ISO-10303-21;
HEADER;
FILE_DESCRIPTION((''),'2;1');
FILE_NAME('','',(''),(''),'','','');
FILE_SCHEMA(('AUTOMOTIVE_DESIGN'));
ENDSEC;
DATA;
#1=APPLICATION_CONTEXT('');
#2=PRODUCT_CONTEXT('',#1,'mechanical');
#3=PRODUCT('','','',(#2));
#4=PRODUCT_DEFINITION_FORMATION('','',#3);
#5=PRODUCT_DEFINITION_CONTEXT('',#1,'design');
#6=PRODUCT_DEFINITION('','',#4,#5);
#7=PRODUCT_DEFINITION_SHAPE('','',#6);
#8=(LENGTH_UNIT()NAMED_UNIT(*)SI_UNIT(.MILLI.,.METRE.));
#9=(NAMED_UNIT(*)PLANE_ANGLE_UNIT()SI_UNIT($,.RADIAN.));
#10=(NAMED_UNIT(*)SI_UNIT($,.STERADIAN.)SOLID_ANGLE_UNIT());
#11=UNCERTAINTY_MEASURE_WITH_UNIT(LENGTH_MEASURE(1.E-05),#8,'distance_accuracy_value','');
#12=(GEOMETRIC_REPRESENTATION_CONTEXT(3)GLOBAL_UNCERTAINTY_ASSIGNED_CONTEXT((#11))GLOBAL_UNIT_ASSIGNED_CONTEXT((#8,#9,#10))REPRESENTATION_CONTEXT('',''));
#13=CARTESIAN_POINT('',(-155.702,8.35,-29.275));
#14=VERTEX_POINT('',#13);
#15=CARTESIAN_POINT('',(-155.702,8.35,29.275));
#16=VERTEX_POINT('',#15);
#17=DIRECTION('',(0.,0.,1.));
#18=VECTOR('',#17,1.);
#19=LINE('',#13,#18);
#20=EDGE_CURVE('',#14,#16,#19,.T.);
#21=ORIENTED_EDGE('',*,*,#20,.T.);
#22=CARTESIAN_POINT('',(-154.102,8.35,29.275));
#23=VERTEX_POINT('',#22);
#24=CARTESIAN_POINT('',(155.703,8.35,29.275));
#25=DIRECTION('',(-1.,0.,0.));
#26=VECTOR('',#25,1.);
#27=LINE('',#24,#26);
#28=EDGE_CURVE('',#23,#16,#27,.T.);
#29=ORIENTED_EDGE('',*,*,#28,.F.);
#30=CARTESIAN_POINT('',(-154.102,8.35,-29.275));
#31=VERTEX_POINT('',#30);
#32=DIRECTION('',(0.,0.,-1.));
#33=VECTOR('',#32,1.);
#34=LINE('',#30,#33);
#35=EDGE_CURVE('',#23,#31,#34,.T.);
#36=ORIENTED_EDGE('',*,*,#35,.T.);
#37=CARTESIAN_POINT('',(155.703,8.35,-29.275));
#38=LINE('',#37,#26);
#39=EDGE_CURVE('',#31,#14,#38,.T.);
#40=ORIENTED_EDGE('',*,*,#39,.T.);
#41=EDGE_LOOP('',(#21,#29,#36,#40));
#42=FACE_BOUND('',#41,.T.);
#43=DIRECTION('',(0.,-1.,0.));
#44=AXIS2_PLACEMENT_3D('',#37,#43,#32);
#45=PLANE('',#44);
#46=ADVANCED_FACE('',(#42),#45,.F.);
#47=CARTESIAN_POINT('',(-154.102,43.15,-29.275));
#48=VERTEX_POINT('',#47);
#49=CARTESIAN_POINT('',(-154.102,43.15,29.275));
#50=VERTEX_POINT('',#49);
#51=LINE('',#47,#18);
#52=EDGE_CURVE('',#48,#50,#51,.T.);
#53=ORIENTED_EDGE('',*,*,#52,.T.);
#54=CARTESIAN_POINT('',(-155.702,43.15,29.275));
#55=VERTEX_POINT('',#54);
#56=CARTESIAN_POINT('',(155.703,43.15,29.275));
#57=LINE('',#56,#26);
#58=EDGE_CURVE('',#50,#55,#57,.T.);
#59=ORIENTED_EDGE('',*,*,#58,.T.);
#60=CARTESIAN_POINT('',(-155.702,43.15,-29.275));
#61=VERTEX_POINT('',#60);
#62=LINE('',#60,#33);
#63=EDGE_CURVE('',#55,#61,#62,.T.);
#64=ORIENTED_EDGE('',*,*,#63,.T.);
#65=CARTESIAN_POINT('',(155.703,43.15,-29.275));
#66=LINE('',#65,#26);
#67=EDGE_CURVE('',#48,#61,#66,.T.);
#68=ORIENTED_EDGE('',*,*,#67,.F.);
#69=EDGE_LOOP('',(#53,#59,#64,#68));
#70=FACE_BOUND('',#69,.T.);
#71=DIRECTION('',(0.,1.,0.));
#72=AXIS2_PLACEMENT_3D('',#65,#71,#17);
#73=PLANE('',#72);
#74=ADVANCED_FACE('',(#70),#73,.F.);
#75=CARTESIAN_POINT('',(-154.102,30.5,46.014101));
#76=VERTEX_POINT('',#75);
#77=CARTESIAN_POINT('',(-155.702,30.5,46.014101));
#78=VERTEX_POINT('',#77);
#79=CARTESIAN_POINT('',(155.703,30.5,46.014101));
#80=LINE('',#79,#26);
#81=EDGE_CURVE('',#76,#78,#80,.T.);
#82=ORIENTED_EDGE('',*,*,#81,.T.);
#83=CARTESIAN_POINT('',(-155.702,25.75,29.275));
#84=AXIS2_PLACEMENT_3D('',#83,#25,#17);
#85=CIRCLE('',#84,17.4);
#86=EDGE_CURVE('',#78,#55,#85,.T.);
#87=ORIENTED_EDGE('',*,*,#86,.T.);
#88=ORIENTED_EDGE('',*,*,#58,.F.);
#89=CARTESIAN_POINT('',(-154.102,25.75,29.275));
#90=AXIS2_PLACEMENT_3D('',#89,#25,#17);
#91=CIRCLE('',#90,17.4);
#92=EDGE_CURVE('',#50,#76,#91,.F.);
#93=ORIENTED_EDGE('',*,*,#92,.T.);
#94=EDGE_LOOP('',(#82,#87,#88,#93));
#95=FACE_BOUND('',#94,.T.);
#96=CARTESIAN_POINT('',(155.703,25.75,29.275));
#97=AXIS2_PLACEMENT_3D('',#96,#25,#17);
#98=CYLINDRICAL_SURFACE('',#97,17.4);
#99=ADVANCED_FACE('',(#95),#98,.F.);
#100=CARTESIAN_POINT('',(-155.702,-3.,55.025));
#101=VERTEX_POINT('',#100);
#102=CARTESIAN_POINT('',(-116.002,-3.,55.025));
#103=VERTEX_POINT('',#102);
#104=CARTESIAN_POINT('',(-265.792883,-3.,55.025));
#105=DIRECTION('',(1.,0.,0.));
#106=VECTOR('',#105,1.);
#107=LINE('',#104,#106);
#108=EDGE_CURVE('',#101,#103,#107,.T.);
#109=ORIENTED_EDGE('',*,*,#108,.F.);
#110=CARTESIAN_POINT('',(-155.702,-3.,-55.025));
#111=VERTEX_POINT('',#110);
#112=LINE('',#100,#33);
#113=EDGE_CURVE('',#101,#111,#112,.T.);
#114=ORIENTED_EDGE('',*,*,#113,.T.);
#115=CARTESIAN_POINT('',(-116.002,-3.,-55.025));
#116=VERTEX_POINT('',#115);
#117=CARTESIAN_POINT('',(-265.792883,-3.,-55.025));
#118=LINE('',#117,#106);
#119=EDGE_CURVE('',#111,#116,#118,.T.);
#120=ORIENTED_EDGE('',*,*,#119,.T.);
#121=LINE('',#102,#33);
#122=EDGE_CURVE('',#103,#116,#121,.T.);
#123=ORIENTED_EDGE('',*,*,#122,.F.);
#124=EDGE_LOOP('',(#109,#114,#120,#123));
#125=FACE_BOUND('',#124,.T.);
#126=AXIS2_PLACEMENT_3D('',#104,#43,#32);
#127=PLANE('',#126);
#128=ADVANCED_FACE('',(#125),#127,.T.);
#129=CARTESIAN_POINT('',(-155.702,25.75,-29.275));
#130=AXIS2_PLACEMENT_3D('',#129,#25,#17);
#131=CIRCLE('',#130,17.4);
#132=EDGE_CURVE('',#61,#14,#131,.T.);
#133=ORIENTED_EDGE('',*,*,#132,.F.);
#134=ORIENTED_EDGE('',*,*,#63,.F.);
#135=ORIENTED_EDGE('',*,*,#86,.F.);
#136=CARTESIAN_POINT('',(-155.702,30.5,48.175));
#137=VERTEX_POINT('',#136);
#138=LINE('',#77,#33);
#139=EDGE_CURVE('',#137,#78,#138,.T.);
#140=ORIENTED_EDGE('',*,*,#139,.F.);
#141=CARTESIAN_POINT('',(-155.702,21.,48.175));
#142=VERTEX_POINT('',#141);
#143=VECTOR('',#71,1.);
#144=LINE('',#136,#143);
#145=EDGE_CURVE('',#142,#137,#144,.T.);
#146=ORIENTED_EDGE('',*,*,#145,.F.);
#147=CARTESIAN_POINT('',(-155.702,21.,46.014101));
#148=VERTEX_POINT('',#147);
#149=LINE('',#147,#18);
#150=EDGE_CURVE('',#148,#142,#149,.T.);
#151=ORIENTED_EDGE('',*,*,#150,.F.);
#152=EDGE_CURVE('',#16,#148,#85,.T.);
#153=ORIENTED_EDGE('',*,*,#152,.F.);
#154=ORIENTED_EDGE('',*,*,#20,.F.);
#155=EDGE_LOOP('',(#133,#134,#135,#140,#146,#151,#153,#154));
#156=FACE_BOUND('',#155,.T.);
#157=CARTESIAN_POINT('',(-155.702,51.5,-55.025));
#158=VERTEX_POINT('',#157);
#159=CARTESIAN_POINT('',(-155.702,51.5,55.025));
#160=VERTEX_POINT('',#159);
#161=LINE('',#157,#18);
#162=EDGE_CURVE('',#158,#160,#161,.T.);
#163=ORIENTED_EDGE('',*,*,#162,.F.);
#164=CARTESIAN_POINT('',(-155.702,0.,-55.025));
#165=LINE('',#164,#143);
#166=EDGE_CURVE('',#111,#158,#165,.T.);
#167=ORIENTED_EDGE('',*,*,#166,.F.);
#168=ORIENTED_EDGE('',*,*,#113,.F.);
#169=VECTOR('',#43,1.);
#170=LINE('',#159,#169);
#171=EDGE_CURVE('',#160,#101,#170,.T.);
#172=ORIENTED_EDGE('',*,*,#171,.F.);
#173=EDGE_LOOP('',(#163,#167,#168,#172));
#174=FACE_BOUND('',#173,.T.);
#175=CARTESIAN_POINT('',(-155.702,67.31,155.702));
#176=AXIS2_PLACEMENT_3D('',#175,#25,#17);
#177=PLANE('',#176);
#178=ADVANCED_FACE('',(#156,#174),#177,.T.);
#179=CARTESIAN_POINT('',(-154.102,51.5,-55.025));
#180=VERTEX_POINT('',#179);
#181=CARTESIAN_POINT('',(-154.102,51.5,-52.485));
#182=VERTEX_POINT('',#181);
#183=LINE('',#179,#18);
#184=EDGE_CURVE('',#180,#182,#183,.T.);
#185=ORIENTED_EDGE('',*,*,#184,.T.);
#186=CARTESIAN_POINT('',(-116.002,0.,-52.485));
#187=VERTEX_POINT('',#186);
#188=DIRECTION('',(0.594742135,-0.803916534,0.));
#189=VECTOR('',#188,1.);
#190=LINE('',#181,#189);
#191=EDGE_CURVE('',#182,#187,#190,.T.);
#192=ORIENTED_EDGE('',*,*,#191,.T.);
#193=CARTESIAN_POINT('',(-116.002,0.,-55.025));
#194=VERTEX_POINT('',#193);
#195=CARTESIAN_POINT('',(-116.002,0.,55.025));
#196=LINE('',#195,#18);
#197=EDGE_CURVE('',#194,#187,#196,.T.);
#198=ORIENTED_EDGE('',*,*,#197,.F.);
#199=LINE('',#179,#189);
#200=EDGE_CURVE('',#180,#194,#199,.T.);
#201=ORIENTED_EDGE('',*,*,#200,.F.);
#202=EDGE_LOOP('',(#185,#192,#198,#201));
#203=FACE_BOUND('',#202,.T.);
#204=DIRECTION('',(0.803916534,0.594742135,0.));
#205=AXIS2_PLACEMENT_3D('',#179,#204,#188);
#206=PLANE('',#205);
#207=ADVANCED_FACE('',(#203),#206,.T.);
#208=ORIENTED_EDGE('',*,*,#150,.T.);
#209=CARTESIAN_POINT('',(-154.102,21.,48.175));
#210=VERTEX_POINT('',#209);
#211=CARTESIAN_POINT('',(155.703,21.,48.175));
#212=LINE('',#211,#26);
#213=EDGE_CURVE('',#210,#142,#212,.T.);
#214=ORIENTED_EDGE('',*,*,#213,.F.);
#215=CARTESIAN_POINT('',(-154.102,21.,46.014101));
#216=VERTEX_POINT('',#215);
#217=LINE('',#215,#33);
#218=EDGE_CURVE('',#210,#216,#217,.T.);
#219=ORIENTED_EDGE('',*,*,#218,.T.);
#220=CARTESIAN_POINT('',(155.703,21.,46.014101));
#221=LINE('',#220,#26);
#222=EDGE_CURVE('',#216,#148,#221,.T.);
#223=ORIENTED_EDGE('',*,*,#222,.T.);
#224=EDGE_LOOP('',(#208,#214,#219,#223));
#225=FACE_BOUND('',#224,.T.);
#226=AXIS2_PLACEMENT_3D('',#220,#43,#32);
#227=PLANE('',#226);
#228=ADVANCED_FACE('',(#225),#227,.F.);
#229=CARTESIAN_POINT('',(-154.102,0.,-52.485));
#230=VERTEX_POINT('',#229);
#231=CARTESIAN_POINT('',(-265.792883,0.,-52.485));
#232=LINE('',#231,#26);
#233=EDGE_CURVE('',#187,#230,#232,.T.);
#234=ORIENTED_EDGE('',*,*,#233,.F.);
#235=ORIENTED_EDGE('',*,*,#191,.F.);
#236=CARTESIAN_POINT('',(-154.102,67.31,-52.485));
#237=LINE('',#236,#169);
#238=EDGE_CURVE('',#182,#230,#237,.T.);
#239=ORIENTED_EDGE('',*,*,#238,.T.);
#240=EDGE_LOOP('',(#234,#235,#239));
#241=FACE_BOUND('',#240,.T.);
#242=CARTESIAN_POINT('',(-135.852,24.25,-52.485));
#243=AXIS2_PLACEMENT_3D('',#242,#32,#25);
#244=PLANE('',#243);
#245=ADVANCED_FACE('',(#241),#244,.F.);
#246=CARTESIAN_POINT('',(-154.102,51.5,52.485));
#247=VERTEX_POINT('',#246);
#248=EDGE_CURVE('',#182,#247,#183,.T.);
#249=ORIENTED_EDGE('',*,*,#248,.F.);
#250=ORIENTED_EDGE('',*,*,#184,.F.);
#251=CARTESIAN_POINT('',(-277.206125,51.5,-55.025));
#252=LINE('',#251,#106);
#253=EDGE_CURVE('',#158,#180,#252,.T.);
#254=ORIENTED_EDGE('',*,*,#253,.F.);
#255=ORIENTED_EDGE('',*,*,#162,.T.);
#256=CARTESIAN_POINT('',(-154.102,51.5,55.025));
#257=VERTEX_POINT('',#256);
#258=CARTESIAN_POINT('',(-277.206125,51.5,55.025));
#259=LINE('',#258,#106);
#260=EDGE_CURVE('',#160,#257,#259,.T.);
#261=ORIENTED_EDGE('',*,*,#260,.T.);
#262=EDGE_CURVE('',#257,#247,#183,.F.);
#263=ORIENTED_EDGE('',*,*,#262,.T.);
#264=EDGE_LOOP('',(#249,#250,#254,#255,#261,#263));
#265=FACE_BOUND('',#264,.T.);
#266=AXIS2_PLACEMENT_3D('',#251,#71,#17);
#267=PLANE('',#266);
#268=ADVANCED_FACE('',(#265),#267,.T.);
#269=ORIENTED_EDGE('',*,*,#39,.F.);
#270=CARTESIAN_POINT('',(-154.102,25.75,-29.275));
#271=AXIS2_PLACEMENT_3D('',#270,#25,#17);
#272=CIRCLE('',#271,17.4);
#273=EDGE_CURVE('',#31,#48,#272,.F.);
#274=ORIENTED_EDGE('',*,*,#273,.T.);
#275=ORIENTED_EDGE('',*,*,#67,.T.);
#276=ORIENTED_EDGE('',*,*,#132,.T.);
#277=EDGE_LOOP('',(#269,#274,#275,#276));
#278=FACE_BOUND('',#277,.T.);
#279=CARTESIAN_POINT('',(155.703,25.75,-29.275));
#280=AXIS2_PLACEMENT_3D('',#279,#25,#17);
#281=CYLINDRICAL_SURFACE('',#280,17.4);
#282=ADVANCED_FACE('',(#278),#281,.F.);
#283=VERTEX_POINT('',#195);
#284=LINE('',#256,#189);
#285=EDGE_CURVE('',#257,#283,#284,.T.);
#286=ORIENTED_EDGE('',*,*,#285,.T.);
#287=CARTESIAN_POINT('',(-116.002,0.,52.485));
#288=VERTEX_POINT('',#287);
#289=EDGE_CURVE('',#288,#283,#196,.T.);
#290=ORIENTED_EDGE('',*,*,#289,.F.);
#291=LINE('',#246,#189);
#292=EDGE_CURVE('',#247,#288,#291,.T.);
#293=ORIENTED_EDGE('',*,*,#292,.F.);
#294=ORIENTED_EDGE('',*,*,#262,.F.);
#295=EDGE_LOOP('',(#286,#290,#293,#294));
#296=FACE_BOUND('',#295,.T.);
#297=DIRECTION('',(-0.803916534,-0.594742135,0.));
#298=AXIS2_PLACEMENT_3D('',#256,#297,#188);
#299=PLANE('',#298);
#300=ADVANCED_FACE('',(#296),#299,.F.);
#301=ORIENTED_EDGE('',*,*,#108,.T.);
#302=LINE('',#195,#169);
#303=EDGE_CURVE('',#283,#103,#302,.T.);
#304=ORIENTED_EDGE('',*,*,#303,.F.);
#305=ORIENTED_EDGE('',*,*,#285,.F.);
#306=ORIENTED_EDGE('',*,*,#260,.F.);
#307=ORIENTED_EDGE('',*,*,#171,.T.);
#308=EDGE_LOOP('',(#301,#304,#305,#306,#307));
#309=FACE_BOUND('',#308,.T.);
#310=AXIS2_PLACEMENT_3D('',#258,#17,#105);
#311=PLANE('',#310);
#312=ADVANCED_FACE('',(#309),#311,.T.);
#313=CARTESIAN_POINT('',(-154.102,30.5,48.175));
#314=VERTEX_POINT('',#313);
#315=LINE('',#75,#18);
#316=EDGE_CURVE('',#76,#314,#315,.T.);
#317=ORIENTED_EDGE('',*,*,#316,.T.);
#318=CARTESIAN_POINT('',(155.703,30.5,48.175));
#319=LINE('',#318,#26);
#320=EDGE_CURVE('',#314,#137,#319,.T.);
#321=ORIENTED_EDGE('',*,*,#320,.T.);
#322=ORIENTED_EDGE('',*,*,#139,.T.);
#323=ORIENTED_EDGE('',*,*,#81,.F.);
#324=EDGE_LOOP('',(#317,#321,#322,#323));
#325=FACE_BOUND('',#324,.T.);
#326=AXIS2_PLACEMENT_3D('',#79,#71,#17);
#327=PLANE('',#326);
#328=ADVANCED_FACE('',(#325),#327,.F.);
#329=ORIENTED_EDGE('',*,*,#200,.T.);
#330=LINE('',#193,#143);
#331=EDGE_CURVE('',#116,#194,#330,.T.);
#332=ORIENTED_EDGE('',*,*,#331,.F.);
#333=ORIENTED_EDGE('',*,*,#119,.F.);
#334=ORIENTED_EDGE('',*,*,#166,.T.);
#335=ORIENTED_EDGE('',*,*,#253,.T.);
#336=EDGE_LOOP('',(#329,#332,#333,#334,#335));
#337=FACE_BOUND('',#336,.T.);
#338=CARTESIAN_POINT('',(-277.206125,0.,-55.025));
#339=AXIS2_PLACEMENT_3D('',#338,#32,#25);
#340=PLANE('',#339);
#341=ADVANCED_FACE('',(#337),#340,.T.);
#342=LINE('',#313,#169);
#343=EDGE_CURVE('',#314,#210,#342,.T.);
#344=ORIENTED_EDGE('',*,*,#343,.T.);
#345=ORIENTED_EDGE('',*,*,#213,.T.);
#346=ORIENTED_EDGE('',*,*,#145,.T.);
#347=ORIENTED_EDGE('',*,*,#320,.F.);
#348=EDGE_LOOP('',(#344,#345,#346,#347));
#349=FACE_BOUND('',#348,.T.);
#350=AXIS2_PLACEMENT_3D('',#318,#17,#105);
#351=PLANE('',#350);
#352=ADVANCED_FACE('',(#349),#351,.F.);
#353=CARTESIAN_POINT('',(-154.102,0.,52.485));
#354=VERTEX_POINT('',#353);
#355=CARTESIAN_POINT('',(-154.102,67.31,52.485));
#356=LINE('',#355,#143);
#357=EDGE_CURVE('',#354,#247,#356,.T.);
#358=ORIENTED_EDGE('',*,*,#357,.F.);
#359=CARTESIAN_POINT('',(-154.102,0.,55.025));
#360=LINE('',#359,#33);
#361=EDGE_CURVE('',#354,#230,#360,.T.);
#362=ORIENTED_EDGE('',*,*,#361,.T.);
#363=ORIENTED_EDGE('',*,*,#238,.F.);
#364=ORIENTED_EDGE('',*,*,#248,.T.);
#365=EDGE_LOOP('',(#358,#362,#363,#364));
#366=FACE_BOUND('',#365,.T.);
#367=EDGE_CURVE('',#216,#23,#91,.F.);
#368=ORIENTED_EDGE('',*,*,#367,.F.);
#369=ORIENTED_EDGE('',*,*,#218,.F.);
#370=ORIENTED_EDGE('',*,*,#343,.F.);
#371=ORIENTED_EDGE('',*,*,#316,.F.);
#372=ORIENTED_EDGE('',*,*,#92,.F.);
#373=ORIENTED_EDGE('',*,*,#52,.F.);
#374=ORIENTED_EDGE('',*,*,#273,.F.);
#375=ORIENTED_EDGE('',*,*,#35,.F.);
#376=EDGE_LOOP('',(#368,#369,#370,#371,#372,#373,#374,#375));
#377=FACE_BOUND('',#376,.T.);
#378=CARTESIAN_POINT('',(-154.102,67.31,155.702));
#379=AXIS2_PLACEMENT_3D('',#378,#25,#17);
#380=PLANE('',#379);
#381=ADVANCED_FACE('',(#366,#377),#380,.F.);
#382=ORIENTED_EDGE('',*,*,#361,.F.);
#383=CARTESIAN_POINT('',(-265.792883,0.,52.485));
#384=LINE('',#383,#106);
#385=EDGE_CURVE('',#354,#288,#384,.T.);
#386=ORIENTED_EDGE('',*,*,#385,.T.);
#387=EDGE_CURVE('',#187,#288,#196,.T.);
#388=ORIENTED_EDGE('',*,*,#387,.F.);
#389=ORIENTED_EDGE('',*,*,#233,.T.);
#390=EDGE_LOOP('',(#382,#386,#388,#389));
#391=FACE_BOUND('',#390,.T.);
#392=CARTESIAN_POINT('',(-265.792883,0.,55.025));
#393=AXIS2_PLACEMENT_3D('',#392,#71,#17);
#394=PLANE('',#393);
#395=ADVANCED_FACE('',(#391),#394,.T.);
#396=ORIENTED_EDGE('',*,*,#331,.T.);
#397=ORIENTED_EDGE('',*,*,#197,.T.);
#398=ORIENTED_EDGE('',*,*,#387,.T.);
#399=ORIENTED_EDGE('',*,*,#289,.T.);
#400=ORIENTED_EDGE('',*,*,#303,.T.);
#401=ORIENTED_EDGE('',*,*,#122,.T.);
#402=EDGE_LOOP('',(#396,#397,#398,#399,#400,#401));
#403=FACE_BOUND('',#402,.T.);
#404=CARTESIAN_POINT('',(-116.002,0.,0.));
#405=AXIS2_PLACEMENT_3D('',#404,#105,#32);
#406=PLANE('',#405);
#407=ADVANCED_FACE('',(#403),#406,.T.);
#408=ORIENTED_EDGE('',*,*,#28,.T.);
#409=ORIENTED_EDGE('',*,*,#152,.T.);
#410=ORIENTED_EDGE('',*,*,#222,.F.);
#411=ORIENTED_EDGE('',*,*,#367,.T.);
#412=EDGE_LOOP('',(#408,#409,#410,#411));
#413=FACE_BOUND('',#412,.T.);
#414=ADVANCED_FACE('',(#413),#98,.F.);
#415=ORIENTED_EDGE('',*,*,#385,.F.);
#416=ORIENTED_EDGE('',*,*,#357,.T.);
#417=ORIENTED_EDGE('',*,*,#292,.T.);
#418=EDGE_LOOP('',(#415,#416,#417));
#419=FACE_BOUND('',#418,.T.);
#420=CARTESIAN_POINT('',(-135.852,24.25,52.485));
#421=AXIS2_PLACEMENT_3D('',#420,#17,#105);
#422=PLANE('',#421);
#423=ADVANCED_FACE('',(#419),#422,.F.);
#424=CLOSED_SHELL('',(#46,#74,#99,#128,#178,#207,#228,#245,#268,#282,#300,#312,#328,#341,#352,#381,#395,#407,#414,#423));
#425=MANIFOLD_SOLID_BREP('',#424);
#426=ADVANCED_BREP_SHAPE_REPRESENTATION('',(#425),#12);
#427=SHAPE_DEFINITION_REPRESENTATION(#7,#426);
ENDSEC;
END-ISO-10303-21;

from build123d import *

# Parameters (mm, degrees)
SKETCH2_W                = 311.404
SKETCH2_H                = 311.404
BOSS_EXTRUDE1_DEPTH      = 67.31
SKETCH4_W                = 289.56
SKETCH4_H                = 289.56
CUT_EXTRUDE1_DEPTH       = 25.4
SKETCH5_W                = 273.304
SKETCH5_H                = 273.304
CUT_EXTRUDE2_DEPTH       = 60.96
SKETCH6_W                = 304.8
SKETCH6_H                = 304.8
SKETCH6_W_2              = 298.196
SKETCH6_H_2              = 298.196
CUT_EXTRUDE3_DEPTH       = 12.7
CUT_EXTRUDE4_REACH       = 356.607
CUT_EXTRUDE5_DEPTH       = 17.45
CUT_EXTRUDE6_REACH       = 356.607
SKETCH11_W               = 76.2
SKETCH11_H               = 20.32
CUT_EXTRUDE7_DEPTH       = 17.45
CUT_EXTRUDE8_DEPTH       = 354.20286992
CUT_EXTRUDE8_DEPTH_BACK  = 354.20286992
SKETCH12_OUTSIDE_W       = 402.506
SKETCH12_OUTSIDE_H       = 158.412
SKETCH13_W               = 110.05
SKETCH13_H               = 51.5
SKETCH13_W_2             = 97.35
SKETCH13_H_2             = 38.8
BOSS_EXTRUDE2_DEPTH      = 1.6
BOSS_EXTRUDE3_DEPTH      = 38.1
BOSS_EXTRUDE3_DEPTH_BACK = 1.6
SKETCH15_W               = 110.05
SKETCH15_H               = 3
RIB1_REACH               = 199.5
SKETCH16_WALL_W          = 461.061960636
SKETCH16_WALL_H          = 2.54


with BuildPart() as part:
    # Sketch2 → Boss-Extrude1 (new body)
    with BuildSketch(Plane(origin=(0, 0, 0), x_dir=(1, 0, 0), z_dir=(0, 1, 0))):
        Rectangle(SKETCH2_W, SKETCH2_H)
    extrude(amount=BOSS_EXTRUDE1_DEPTH)

    # Sketch4 → Cut-Extrude1 (cut)
    with BuildSketch(Plane(origin=(0, 67.31, 0), x_dir=(1, 0, 0), z_dir=(0, 1, 0))):
        Rectangle(SKETCH4_W, SKETCH4_H)
    extrude(amount=-CUT_EXTRUDE1_DEPTH, mode=Mode.SUBTRACT)

    # Sketch5 → Cut-Extrude2 (cut)
    with BuildSketch(Plane(origin=(0, 67.31, 0), x_dir=(1, 0, 0), z_dir=(0, 1, 0))):
        Rectangle(SKETCH5_W, SKETCH5_H)
    extrude(amount=-CUT_EXTRUDE2_DEPTH, mode=Mode.SUBTRACT)

    # Sketch6 → Cut-Extrude3 (cut)
    with BuildSketch(Plane(origin=(0, 67.31, 0), x_dir=(1, 0, 0), z_dir=(0, 1, 0))):
        Rectangle(SKETCH6_W, SKETCH6_H)
        Rectangle(SKETCH6_W_2, SKETCH6_H_2, mode=Mode.SUBTRACT)
    extrude(amount=-CUT_EXTRUDE3_DEPTH, mode=Mode.SUBTRACT)

    # Sketch7 → Cut-Extrude4 (cut, up to next)
    with BuildSketch(Plane.ZY.offset(155.702), mode=Mode.PRIVATE) as cut_extrude4_sk1:
        with BuildLine():
            Line((-29.275, 43.15), (29.275, 43.15))
            ThreePointArc((29.275, 43.15), (46.675, 25.75), (29.275, 8.35))
            Line((29.275, 8.35), (-29.275, 8.35))
            ThreePointArc((-29.275, 8.35), (-46.675, 25.75), (-29.275, 43.15))
        make_face()
    cut_extrude4_tool1 = extrude(cut_extrude4_sk1.sketch, amount=-CUT_EXTRUDE4_REACH, mode=Mode.PRIVATE) & part.part
    add(cut_extrude4_tool1.solids().sort_by_distance((-155.702, 25.75, 0))[0], mode=Mode.SUBTRACT)

    # Sketch8 → Cut-Extrude5 (cut)
    with BuildSketch(Plane(origin=(-136.652, 0, 0), x_dir=(0, 0, -1), z_dir=(1, 0, 0))):
        Polygon((29.275, 45.15), (48.675, 45.15), (48.675, 25.75), (48.675, 6.35), (29.275, 6.35), (-29.275, 6.35), (-48.675, 6.35), (-48.675, 25.75), (-48.675, 45.15), (-29.275, 45.15), align=None)
    extrude(amount=-CUT_EXTRUDE5_DEPTH, mode=Mode.SUBTRACT)

    # Sketch9 → Cut-Extrude6 (cut, up to next)
    with BuildSketch(Plane.ZY.offset(155.702), mode=Mode.PRIVATE) as cut_extrude6_sk1:
        with BuildLine():
            Line((46.014100932, 30.5), (48.175, 30.5))
            Line((48.175, 30.5), (48.175, 21))
            Line((48.175, 21), (46.014100932, 21))
            ThreePointArc((46.014100932, 21), (46.675, 25.75), (46.014100932, 30.5))
        make_face()
    cut_extrude6_tool1 = extrude(cut_extrude6_sk1.sketch, amount=-CUT_EXTRUDE6_REACH, mode=Mode.PRIVATE) & part.part
    add(cut_extrude6_tool1.solids().sort_by_distance((-155.702, 25.75, 47.304468))[0], mode=Mode.SUBTRACT)

    # Sketch11 → Cut-Extrude7 (cut)
    with BuildSketch(Plane(origin=(-136.652, 0, 0), x_dir=(0, 0, -1), z_dir=(1, 0, 0))):
        with Locations((-86.775, 25.4)):
            Rectangle(SKETCH11_W, SKETCH11_H)
    extrude(amount=-CUT_EXTRUDE7_DEPTH, mode=Mode.SUBTRACT)

    # Sketch12 outside → Cut-Extrude8 (cut, two sides: drawn at the far end of the back side and taken through both)
    with BuildSketch(Plane(origin=(-154.102, 0, 0), x_dir=(0, 0, -1), z_dir=(1, 0, 0)).offset(-CUT_EXTRUDE8_DEPTH_BACK)):
        with Locations((0, 33.655)):
            Rectangle(SKETCH12_OUTSIDE_W, SKETCH12_OUTSIDE_H)
        Polygon((-48.675, 35.56), (-48.675, 15.24), (-48.675, 6.35), (48.675, 6.35), (48.675, 45.15), (-48.675, 45.15), align=None, mode=Mode.SUBTRACT)
    extrude(amount=CUT_EXTRUDE8_DEPTH + CUT_EXTRUDE8_DEPTH_BACK, mode=Mode.SUBTRACT)


with BuildPart() as cut_extrude8_kept_piece:
    # of the separate pieces the step leaves, the one the design keeps (cut_extrude8_pieces_kept)
    add(part.part.solids().sort_by_distance((-155.702, 6.35, 48.675))[0])

    # Sketch13 → Boss-Extrude2 (add)
    with BuildSketch(Plane(origin=(-154.102, 0, 0), x_dir=(0, 0, -1), z_dir=(1, 0, 0))):
        with Locations((0, 25.75)):
            Rectangle(SKETCH13_W, SKETCH13_H)
        with Locations((0, 25.75)):
            Rectangle(SKETCH13_W_2, SKETCH13_H_2, mode=Mode.SUBTRACT)
    extrude(amount=-BOSS_EXTRUDE2_DEPTH)

    # Sketch15 → Boss-Extrude3 (add, two sides: drawn at the far end of the back side and taken through both)
    with BuildSketch(Plane(origin=(-154.102, 0, 0), x_dir=(0, 0, -1), z_dir=(1, 0, 0)).offset(-BOSS_EXTRUDE3_DEPTH_BACK)):
        with Locations((0, -1.5)):
            Rectangle(SKETCH15_W, SKETCH15_H)
    extrude(amount=BOSS_EXTRUDE3_DEPTH + BOSS_EXTRUDE3_DEPTH_BACK)

    # Sketch16 wall → Rib1 (add, up to next)
    with BuildSketch(Plane(origin=(-135.052, 25.75, 55.025), x_dir=(0.594742134678, -0.803916533751, 0), z_dir=(0.803916533751, 0.594742134678, 0)), mode=Mode.PRIVATE) as rib1_sk1:
        with Locations((0, 1.27)):
            Rectangle(SKETCH16_WALL_W, SKETCH16_WALL_H)
    rib1_tool1 = extrude(rib1_sk1.sketch, amount=-RIB1_REACH, mode=Mode.PRIVATE) - cut_extrude8_kept_piece.part
    rib1 = rib1_tool1.solids().sort_by_distance((-135.052, 25.75, 55.025))[0]
    add(rib1)

    # Mirror1: Rib1 across plane
    add(rib1.mirror(Plane.XY))


solid = cut_extrude8_kept_piece.part
